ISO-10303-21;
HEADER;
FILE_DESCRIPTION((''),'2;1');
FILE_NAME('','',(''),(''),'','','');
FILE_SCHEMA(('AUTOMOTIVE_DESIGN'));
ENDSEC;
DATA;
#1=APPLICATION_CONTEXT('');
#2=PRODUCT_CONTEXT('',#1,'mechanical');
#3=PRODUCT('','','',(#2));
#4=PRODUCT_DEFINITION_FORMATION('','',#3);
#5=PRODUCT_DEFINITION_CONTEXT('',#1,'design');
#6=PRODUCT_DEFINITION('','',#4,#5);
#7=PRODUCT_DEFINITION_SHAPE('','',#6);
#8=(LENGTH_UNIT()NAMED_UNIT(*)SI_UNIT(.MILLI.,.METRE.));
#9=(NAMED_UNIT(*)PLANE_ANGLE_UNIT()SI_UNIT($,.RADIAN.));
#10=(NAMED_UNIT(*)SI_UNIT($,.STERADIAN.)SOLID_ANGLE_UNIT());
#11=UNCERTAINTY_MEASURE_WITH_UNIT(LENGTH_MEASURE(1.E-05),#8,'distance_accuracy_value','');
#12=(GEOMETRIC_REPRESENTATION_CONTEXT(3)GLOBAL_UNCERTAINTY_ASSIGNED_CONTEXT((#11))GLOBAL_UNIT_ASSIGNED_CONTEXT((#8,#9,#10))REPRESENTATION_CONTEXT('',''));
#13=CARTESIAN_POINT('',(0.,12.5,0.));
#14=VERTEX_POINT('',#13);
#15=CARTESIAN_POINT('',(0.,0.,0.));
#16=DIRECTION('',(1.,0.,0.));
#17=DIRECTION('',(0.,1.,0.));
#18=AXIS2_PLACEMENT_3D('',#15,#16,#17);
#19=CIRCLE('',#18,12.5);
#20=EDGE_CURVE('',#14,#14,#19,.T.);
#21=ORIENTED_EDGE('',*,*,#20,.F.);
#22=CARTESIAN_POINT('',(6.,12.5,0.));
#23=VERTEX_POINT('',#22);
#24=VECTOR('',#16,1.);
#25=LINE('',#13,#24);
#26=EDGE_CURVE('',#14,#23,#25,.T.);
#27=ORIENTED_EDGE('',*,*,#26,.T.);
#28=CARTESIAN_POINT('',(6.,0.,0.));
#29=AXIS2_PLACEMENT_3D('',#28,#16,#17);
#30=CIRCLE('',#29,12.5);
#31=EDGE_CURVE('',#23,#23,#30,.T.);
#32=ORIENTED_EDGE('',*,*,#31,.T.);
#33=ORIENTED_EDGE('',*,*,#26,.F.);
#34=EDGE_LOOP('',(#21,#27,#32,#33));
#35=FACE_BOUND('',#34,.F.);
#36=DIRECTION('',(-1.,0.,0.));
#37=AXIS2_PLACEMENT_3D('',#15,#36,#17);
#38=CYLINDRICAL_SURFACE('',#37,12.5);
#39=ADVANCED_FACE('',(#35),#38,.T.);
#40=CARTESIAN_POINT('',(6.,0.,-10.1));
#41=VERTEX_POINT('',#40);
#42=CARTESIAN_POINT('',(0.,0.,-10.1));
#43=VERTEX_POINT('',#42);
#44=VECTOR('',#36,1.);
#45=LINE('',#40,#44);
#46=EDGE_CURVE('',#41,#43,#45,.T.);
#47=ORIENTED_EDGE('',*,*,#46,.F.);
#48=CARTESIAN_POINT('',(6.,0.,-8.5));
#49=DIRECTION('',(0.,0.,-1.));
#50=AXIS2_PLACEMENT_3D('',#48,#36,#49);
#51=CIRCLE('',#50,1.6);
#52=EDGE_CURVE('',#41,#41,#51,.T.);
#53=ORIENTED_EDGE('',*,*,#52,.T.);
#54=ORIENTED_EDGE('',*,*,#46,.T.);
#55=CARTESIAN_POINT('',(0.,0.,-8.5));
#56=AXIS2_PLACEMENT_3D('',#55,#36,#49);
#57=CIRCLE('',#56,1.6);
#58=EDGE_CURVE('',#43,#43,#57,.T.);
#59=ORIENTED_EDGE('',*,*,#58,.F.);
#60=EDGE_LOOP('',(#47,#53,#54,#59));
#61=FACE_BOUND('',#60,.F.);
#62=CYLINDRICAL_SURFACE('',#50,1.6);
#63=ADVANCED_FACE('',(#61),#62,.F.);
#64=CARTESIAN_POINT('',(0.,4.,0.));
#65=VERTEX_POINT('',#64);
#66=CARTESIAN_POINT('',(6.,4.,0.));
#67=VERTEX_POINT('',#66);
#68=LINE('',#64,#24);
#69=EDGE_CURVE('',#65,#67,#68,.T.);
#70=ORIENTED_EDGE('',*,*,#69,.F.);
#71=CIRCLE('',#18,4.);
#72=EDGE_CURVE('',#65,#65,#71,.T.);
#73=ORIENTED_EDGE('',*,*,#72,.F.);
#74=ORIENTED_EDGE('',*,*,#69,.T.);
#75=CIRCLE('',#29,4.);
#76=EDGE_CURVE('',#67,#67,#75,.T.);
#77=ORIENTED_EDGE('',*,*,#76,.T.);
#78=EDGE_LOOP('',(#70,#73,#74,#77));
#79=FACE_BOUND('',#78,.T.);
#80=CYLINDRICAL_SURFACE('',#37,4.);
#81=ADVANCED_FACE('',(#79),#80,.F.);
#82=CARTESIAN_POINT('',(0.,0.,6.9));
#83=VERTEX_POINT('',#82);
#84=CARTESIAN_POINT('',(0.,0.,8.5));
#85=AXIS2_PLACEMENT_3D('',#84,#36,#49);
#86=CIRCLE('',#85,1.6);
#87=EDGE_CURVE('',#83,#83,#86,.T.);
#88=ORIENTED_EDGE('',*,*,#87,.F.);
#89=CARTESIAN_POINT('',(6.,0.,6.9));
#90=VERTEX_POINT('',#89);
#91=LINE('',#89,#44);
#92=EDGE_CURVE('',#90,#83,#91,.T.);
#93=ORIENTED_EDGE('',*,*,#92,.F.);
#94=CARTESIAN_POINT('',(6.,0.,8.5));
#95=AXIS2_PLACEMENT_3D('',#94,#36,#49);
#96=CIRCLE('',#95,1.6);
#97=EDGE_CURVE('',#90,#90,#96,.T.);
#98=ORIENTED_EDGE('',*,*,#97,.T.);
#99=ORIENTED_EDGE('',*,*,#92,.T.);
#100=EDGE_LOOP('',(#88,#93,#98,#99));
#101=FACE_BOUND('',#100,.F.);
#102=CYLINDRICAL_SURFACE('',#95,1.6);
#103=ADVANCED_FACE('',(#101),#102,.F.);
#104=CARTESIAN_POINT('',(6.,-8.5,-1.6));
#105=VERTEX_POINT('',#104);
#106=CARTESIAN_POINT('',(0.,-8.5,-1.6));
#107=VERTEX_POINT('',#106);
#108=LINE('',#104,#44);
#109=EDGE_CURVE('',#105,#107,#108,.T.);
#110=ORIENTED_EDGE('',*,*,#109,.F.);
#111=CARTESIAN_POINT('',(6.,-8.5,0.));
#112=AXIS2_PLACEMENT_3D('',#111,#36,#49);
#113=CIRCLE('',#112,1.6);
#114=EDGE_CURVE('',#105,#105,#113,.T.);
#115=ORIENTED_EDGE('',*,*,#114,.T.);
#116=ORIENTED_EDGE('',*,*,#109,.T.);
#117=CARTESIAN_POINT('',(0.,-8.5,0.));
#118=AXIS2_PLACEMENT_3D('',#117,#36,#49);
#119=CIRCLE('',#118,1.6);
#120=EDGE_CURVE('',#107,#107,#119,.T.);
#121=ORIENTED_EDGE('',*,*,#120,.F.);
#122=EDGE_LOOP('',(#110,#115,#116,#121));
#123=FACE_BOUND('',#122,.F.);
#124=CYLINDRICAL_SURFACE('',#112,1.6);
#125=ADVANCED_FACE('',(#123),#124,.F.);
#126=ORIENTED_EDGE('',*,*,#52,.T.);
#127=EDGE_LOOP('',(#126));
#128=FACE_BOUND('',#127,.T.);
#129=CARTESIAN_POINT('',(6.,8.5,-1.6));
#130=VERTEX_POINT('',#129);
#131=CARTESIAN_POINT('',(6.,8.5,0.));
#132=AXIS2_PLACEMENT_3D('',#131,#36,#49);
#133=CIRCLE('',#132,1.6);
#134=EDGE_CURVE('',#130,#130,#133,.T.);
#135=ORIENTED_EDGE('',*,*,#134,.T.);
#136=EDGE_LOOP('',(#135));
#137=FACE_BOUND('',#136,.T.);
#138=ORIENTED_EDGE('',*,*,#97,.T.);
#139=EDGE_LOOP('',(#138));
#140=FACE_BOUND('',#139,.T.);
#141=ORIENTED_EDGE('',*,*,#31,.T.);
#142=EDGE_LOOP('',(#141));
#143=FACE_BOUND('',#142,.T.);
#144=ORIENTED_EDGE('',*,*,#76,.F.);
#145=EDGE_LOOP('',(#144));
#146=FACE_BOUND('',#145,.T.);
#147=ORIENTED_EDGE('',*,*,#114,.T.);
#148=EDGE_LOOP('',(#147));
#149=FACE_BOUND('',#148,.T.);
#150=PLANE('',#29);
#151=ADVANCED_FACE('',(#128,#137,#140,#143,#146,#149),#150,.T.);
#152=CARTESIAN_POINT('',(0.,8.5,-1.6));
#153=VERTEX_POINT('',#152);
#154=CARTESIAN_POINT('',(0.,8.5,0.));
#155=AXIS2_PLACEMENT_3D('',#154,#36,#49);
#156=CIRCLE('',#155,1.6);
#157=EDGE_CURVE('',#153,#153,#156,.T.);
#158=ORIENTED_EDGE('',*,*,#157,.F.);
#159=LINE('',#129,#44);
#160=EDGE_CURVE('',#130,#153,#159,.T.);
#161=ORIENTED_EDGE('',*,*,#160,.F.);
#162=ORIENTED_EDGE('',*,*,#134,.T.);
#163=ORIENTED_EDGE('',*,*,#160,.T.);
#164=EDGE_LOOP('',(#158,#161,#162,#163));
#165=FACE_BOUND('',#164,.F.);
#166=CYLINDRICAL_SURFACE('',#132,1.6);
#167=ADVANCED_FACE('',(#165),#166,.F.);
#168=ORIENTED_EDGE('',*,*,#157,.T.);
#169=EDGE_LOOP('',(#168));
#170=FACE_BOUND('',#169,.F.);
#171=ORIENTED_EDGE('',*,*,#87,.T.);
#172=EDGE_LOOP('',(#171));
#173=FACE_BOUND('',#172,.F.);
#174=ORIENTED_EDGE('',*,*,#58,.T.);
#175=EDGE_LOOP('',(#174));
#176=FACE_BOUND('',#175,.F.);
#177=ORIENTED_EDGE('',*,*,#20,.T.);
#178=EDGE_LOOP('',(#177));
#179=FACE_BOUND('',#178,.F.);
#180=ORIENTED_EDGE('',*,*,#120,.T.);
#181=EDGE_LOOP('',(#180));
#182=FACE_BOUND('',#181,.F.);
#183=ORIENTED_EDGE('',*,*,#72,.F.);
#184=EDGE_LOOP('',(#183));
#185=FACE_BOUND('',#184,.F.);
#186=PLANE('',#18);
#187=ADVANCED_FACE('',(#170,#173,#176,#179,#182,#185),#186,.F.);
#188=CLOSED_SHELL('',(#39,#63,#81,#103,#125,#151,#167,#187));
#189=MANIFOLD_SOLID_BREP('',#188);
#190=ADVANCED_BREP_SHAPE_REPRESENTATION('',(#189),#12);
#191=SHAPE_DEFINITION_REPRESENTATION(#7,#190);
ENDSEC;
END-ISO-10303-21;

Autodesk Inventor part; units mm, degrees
ref_plane "YZ Plane" through (0, 0, 0) normal (1, 0, 0) x (0, 1, 0)
ref_plane "XZ Plane" through (0, 0, 0) normal (0, 1, 0) x (-1, 0, 0)
ref_plane "XY Plane" through (0, 0, 0) normal (0, 0, 1) x (1, 0, 0)
sketch "スケッチ1" plane through (0, 0, 0) normal (0, 0, 1) x (1, 0, 0)
  point P0 (0, 0)
sketch "スケッチ2" plane through (0, 0, 0) normal (1, 0, 0) x (0, 1, 0)
  circle A0 centre (0, 0) radius 12.5
  circle A1 centre (0, 0) radius 4
  dimension "d0" = 25
  dimension "d1" = 8
extrude "押し出し1" add sketch "スケッチ2" along normal blind 6
sketch "スケッチ3" plane through (6, 0, 0) normal (1, 0, 0) x (0, 0, -1)
  circle A0 centre (0, 0) radius 8.5 construction
  circle A1 centre (0, 8.5) radius 1.6
  circle A2 centre (-8.5, 0) radius 1.6
  circle A3 centre (0, -8.5) radius 1.6
  circle A4 centre (8.5, 0) radius 1.6
  dimension "d4" = 17
  dimension "d5" = 3.2
  dimension "d6" = 3.2
  dimension "d7" = 3.2
  dimension "d8" = 3.2
hole "穴1" at (6, 8.5, 0) at (6, 0, 8.5) at (6, -8.5, 0) at (6, 0, -8.5) direction (-1, 0, 0) diameter 3.2 end through all
properties part number "NHK_t0_7"
